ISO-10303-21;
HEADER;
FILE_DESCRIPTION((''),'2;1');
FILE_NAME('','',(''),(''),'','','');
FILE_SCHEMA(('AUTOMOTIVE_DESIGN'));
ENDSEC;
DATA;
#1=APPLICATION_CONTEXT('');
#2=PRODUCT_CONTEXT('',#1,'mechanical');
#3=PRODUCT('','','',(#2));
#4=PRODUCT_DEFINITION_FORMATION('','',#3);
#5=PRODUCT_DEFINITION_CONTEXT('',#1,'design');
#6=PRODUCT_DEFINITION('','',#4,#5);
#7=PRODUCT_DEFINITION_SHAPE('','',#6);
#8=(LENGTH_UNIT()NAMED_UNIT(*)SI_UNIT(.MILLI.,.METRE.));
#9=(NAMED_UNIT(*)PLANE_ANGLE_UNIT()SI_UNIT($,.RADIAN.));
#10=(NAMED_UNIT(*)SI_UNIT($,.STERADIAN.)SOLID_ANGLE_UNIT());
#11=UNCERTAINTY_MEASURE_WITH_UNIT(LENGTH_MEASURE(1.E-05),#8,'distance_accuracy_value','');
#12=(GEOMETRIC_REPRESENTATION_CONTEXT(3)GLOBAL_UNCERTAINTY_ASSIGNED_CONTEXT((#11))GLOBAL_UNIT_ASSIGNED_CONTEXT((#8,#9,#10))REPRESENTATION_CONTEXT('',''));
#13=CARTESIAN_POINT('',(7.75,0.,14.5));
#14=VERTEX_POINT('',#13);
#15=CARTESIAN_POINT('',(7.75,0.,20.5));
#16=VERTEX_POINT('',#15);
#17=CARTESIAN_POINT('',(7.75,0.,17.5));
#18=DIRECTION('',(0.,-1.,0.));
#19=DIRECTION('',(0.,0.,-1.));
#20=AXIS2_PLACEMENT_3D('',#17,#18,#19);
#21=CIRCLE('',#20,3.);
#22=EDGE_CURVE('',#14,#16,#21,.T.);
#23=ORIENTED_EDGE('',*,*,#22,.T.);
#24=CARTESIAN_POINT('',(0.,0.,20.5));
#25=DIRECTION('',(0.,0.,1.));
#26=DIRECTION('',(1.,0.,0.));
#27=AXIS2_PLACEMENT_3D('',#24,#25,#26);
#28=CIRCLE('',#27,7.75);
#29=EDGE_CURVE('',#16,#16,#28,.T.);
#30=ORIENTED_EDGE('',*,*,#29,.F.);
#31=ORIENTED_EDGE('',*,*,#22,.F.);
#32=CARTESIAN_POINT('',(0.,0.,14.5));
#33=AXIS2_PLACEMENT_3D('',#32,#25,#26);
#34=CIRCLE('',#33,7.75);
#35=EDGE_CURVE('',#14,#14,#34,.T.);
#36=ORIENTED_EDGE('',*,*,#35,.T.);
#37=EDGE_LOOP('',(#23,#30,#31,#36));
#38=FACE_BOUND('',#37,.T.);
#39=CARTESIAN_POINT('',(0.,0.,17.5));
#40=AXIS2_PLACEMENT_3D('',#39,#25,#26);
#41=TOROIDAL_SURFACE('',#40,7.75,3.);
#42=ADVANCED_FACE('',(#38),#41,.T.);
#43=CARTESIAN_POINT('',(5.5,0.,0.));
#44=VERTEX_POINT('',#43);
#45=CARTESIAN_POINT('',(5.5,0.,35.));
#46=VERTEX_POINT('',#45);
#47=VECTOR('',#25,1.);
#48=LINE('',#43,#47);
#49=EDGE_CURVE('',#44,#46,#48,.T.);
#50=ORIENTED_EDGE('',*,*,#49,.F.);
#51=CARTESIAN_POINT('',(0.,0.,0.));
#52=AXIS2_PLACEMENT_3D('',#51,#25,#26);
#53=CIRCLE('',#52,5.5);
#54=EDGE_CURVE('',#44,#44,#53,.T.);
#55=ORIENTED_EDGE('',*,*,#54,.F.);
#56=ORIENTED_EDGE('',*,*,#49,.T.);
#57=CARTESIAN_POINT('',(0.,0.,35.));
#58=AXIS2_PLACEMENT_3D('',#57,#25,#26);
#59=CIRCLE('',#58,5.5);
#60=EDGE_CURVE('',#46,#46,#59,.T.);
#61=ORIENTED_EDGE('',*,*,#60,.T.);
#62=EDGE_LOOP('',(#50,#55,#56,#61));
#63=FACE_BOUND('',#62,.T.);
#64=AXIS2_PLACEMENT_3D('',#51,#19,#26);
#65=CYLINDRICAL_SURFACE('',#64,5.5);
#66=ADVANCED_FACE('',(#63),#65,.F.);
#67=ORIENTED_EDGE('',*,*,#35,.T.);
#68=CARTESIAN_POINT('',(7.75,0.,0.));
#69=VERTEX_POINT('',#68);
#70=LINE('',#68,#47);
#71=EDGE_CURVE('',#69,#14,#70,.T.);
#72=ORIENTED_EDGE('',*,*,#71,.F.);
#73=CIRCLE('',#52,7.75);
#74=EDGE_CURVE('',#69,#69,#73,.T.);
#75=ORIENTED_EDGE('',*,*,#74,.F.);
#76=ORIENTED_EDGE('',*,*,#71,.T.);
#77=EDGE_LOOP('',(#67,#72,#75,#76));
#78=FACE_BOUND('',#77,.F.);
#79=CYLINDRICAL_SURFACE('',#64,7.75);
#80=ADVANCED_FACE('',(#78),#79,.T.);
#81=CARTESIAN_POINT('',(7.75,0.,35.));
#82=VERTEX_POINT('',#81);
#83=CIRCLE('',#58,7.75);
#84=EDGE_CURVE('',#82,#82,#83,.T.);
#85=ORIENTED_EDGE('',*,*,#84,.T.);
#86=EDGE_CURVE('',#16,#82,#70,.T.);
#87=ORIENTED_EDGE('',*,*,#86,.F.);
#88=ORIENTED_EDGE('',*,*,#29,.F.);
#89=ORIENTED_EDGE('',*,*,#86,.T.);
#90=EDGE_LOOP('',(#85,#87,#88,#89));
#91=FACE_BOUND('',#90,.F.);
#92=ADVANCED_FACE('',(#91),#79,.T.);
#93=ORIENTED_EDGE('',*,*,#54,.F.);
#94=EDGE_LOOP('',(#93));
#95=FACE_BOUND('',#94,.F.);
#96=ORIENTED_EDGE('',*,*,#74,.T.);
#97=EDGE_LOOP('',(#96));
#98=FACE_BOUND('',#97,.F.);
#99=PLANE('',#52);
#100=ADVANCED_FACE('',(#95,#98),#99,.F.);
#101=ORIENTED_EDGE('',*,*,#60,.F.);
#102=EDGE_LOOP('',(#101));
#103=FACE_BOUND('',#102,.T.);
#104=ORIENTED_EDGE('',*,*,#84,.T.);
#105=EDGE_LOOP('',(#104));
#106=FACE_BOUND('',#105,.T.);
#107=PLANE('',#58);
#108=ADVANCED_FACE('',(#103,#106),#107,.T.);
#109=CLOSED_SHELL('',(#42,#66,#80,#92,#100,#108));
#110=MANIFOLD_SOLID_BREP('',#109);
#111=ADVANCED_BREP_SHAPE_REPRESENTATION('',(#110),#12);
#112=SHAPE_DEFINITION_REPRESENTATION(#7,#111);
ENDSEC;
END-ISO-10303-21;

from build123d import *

# Parameters (mm, degrees)
F0_R     = 7.75
F0_R_2   = 5.5
F1_DEPTH = 35


with BuildPart() as f1:
    # F0 (on Top) → F1 (new body)
    with BuildSketch(Plane.XY):
        Circle(F0_R)
        Circle(F0_R_2, mode=Mode.SUBTRACT)
    extrude(amount=F1_DEPTH)

    # F2 (on Front) → F3 (revolve)
    with BuildSketch(Plane.XZ):
        with BuildLine():
            ThreePointArc((7.75, 14.5), (10.75, 17.5), (7.75, 20.5))
            Line((7.75, 20.5), (7.75, 14.5))
        make_face()
    revolve(axis=Axis((0, 0, 7.5), (0, 0, 1)))


solid = f1.part
